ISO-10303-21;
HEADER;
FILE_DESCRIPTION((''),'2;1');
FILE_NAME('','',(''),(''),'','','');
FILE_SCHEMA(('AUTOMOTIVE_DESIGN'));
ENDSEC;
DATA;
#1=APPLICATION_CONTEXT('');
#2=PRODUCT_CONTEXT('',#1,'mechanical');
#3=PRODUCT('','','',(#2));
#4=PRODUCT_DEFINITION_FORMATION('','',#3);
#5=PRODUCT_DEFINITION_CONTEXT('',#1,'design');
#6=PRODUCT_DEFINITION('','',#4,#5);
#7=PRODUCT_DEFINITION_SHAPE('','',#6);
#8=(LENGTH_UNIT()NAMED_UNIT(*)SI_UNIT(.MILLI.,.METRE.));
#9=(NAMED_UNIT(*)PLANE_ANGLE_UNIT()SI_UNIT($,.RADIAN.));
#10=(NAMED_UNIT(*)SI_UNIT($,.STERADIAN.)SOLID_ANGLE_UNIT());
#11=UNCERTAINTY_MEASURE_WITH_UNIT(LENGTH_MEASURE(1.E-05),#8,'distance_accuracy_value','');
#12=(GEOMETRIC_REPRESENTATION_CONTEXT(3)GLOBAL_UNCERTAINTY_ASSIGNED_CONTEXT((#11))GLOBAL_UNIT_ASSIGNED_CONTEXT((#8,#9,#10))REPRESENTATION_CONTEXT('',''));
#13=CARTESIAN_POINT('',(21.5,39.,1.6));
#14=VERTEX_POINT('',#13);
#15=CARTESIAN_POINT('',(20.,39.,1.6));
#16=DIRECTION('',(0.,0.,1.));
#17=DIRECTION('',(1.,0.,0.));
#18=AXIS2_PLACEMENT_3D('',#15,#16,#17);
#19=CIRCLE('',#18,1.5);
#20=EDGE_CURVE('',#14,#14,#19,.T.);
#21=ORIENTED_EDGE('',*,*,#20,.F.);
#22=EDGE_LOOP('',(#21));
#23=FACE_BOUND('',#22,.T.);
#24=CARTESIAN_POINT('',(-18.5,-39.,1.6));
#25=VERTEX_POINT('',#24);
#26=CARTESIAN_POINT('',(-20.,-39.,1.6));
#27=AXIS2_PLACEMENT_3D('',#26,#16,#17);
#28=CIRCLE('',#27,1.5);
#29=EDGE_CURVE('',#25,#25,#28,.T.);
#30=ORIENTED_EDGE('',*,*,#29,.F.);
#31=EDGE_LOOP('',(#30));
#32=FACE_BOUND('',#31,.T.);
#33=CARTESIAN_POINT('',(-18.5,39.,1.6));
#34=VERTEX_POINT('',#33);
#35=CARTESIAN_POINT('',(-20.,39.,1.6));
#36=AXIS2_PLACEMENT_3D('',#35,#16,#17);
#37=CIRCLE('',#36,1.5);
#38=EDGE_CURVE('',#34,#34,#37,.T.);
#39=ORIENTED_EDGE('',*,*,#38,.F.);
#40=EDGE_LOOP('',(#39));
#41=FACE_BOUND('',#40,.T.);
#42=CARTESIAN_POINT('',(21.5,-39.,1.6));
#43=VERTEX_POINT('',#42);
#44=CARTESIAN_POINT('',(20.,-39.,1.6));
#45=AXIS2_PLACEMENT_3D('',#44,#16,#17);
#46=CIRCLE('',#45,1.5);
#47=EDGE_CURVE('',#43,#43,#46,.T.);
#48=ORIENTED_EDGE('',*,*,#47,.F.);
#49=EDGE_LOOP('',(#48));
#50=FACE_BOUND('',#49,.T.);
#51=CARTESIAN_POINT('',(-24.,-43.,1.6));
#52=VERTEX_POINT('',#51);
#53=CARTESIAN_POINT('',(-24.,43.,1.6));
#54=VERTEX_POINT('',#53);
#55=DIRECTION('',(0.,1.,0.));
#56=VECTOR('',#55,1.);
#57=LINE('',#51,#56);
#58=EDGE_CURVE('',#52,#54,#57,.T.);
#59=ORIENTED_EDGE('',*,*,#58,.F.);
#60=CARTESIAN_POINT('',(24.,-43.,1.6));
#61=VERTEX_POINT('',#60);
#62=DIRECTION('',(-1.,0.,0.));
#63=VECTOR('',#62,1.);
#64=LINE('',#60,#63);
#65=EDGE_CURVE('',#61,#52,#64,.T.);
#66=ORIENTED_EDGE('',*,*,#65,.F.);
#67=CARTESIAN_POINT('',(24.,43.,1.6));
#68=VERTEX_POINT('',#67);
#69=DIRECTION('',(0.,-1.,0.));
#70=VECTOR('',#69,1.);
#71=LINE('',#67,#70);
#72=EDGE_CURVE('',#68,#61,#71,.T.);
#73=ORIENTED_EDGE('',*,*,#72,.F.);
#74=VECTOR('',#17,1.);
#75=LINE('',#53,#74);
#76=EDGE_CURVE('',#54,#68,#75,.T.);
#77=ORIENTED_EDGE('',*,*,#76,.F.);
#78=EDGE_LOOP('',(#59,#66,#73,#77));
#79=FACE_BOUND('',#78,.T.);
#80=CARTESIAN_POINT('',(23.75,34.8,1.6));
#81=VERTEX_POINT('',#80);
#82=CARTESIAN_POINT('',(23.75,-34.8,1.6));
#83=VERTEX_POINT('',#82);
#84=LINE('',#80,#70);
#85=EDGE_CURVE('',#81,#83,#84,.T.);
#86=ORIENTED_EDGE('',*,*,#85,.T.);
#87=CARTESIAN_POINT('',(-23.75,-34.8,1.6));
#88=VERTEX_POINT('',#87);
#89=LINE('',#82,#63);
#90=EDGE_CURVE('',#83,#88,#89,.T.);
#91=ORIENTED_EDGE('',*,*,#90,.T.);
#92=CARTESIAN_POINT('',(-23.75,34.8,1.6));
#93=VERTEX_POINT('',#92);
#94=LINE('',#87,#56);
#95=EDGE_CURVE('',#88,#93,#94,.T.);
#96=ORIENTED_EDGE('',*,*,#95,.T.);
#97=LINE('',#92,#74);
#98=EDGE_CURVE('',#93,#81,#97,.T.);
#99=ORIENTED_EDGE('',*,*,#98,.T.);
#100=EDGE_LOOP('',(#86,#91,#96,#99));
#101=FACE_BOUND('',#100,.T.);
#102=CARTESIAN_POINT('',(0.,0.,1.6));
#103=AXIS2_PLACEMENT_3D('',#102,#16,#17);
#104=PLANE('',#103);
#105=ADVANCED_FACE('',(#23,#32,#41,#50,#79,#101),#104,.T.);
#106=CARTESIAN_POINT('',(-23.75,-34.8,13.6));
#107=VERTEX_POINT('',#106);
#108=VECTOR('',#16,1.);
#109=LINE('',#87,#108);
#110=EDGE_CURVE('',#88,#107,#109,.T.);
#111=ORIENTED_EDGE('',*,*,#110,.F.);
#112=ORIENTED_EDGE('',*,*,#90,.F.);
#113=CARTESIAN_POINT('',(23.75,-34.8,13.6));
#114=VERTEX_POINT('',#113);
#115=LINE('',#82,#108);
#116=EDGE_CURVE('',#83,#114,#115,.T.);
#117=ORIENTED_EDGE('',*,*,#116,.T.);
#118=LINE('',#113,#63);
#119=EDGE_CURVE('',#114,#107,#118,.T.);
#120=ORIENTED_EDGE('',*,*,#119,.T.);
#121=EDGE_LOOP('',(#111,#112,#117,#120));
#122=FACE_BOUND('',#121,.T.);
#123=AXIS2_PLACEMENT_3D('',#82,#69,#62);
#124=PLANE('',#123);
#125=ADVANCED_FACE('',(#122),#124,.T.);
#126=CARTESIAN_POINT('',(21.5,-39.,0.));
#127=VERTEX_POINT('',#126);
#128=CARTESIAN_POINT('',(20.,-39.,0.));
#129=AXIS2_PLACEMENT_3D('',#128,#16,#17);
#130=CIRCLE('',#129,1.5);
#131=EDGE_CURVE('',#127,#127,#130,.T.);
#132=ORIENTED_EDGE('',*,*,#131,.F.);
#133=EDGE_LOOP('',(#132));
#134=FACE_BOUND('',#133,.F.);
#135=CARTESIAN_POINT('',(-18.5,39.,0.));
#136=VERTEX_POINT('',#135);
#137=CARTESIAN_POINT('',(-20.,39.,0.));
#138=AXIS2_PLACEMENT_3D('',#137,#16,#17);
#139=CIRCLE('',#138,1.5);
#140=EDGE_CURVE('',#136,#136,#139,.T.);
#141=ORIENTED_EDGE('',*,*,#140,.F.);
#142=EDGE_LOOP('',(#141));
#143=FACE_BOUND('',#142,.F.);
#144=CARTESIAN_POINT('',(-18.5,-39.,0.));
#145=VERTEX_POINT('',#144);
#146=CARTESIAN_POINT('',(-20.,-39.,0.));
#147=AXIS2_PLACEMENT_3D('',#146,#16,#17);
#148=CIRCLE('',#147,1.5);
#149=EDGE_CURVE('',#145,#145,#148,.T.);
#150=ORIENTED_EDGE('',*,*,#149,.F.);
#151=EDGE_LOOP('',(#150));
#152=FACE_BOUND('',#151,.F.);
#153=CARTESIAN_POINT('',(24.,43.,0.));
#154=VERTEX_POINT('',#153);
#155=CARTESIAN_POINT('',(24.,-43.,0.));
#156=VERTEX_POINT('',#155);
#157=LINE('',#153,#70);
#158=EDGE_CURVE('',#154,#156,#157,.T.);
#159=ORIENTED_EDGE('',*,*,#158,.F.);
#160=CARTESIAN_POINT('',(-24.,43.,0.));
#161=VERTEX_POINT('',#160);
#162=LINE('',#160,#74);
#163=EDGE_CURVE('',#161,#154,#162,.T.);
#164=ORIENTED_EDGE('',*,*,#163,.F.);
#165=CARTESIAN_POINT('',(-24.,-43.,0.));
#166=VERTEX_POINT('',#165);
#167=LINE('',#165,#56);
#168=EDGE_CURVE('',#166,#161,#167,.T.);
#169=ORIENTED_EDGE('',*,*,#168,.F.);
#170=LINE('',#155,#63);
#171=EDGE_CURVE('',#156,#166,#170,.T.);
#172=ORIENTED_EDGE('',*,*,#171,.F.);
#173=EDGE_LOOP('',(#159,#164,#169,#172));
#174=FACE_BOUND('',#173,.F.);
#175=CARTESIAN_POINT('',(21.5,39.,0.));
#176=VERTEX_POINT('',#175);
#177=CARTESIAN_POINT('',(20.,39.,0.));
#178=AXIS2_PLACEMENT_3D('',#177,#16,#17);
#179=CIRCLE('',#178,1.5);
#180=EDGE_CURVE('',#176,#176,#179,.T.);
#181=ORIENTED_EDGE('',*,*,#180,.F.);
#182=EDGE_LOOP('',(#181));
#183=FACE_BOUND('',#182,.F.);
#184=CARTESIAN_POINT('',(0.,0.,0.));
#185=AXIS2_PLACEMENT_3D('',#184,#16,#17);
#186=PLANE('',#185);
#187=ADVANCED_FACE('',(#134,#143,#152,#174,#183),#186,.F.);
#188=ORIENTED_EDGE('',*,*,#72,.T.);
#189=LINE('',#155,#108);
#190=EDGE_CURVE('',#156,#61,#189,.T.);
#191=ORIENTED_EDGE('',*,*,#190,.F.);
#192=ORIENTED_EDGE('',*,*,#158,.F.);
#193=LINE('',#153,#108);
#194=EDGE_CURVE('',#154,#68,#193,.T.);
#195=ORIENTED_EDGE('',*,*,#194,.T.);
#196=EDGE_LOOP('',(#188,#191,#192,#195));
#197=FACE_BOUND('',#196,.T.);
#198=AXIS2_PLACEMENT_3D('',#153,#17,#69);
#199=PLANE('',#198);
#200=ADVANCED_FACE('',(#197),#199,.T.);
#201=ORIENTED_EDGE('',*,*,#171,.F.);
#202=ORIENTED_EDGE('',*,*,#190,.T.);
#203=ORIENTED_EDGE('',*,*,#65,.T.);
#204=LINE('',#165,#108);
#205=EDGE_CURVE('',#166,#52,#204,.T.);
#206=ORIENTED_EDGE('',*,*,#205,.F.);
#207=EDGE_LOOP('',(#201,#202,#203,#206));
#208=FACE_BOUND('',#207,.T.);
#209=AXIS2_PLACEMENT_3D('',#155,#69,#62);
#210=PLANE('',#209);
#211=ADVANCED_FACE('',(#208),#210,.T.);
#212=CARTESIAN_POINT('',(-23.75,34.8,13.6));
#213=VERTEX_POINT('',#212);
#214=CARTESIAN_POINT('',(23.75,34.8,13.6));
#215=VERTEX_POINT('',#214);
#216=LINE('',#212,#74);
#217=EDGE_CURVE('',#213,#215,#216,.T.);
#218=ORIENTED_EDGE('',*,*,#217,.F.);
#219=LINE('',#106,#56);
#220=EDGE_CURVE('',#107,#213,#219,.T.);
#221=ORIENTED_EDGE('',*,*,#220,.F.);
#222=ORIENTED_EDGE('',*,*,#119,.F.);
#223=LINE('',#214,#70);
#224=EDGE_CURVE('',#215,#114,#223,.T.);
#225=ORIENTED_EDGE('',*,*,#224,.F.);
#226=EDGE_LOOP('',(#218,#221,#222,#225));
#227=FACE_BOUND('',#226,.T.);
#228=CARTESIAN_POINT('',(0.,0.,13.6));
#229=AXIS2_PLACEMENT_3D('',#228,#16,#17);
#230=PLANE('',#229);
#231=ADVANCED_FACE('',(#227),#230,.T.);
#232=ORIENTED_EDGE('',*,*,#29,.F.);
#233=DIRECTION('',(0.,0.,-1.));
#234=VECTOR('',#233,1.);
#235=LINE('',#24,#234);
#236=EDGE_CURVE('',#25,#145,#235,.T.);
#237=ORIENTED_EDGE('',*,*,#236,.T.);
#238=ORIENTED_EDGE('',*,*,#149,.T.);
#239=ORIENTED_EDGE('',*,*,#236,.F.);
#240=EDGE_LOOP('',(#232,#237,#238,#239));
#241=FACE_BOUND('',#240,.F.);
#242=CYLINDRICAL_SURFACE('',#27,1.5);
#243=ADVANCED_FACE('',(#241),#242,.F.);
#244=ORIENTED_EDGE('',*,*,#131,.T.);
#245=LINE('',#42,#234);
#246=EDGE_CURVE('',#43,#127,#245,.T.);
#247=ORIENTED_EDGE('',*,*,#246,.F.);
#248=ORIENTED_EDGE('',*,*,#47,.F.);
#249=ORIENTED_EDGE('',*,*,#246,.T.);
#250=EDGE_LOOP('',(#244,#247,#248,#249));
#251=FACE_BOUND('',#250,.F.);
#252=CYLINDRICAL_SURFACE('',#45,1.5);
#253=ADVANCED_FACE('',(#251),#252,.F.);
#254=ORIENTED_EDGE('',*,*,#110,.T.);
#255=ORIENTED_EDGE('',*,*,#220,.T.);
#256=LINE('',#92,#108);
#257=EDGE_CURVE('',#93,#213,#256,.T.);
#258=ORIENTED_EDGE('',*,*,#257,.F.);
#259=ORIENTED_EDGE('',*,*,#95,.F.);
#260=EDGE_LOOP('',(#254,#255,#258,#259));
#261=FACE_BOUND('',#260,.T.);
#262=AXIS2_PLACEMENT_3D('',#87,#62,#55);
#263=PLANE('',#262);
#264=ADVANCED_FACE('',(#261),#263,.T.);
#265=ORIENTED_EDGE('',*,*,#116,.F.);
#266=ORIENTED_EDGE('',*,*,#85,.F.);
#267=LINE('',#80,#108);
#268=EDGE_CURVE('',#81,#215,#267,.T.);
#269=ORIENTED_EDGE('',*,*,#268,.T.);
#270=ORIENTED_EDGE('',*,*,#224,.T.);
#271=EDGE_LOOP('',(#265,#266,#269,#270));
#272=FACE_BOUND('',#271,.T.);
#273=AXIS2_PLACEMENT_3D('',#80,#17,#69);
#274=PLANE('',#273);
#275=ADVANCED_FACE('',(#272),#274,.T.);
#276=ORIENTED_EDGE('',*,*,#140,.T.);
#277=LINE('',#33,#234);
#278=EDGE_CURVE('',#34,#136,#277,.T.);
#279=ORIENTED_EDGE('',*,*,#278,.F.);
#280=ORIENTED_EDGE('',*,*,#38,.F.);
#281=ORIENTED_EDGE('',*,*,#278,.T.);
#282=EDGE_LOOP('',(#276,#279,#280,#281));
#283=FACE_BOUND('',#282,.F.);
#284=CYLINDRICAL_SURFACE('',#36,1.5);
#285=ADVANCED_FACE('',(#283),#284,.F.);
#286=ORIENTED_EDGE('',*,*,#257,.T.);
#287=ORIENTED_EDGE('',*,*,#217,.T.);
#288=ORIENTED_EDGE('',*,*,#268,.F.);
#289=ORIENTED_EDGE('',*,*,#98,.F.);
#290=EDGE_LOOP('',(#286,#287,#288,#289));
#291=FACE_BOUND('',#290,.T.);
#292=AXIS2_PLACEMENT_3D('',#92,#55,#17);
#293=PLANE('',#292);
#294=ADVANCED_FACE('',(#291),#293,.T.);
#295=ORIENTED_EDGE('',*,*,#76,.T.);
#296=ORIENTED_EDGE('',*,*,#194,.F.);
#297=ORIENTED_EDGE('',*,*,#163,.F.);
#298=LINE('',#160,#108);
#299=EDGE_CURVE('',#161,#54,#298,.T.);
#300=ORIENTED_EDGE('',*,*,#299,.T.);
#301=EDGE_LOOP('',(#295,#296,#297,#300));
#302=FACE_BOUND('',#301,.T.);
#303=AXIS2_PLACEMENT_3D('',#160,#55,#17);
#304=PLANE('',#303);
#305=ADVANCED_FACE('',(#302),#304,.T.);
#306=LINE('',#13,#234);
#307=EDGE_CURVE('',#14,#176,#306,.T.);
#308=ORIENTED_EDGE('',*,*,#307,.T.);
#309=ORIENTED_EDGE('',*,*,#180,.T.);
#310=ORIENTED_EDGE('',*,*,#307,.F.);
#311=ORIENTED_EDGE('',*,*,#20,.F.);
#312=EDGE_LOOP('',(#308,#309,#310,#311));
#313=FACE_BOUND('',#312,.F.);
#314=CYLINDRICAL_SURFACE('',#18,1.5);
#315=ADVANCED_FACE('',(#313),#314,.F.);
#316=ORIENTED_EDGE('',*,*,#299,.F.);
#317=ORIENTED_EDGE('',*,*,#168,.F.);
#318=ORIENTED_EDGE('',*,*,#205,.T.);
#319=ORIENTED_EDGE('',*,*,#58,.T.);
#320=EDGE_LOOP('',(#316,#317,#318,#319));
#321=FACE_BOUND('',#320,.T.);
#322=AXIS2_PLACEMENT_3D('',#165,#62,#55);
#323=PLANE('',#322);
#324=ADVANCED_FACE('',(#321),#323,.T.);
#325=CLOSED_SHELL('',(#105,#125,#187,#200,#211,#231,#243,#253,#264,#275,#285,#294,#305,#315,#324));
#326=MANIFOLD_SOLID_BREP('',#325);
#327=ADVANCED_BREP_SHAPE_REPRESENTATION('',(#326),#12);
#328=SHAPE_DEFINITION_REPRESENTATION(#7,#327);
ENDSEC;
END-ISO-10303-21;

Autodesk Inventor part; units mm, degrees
ref_plane "YZ Plane" through (0, 0, 0) normal (1, 0, 0) x (0, 1, 0)
ref_plane "XZ Plane" through (0, 0, 0) normal (0, 1, 0) x (-1, 0, 0)
ref_plane "XY Plane" through (0, 0, 0) normal (0, 0, 1) x (1, 0, 0)
sketch "スケッチ1" plane through (0, 0, 0) normal (0, 0, 1) x (1, 0, 0)
  line L0 (-24, 43) -> (24, 43)
  line L1 (24, 43) -> (24, -43)
  line L2 (24, -43) -> (-24, -43)
  line L3 (-24, -43) -> (-24, 43)
  point P0 (0, 0)
  point P1 (0, 43)
  point P2 (24, 0)
  dimension "d0" = 48
  dimension "d1" = 86
extrude "押し出し1" add sketch "スケッチ1" along normal blind 1.6
sketch "スケッチ2" plane through (0, 0, 1.6) normal (0, 0, 1) x (1, 0, 0)
  line L0 (-23.75, 34.8) -> (23.75, 34.8)
  line L1 (23.75, 34.8) -> (23.75, -34.8)
  line L2 (23.75, -34.8) -> (-23.75, -34.8)
  line L3 (-23.75, -34.8) -> (-23.75, 34.8)
  point P0 (0, 0)
  point P1 (0, 34.8)
  point P2 (23.75, 0)
  dimension "d4" = 47.5
  dimension "d5" = 69.6
extrude "押し出し2" add sketch "スケッチ2" along normal blind 12
sketch "スケッチ3" plane through (0, 0, 1.6) normal (0, 0, 1) x (1, 0, 0)
  line L0 (-24, -43) -> (24, -43) projected
  line L1 (-24, 43) -> (-24, -43) projected
  line L2 (24, -43) -> (24, 43) projected
  line L3 (24, 43) -> (-24, 43) projected
  circle A0 centre (-20, -39) radius 1.5
  circle A1 centre (20, -39) radius 1.5
  circle A2 centre (-20, 39) radius 1.5
  circle A3 centre (20, 39) radius 1.5
  point P0 (0, 0)
  dimension "d8" = 4
  dimension "d9" = 4
  dimension "d10" = 4
  dimension "d11" = 4
  dimension "d12" = 3
extrude "押し出し3" cut sketch "スケッチ3" against normal blind 1.6 contours A0 | A1 | A2 | A3
sketch "スケッチ4" plane through (0, 0, 13.6) normal (0, 0, 1) x (1, 0, 0)
  line L0 (-19.4086, 28.472) -> (45.9399, 28.472) construction
  line L1 (45.9399, 28.472) -> (45.9399, -30.0693) construction
  line L2 (45.9399, -30.0693) -> (-19.4086, -30.0693) construction
  line L3 (-19.4086, -30.0693) -> (-19.4086, 28.472) construction
  point P0 (0, 0)
properties part number "Big7seg"
